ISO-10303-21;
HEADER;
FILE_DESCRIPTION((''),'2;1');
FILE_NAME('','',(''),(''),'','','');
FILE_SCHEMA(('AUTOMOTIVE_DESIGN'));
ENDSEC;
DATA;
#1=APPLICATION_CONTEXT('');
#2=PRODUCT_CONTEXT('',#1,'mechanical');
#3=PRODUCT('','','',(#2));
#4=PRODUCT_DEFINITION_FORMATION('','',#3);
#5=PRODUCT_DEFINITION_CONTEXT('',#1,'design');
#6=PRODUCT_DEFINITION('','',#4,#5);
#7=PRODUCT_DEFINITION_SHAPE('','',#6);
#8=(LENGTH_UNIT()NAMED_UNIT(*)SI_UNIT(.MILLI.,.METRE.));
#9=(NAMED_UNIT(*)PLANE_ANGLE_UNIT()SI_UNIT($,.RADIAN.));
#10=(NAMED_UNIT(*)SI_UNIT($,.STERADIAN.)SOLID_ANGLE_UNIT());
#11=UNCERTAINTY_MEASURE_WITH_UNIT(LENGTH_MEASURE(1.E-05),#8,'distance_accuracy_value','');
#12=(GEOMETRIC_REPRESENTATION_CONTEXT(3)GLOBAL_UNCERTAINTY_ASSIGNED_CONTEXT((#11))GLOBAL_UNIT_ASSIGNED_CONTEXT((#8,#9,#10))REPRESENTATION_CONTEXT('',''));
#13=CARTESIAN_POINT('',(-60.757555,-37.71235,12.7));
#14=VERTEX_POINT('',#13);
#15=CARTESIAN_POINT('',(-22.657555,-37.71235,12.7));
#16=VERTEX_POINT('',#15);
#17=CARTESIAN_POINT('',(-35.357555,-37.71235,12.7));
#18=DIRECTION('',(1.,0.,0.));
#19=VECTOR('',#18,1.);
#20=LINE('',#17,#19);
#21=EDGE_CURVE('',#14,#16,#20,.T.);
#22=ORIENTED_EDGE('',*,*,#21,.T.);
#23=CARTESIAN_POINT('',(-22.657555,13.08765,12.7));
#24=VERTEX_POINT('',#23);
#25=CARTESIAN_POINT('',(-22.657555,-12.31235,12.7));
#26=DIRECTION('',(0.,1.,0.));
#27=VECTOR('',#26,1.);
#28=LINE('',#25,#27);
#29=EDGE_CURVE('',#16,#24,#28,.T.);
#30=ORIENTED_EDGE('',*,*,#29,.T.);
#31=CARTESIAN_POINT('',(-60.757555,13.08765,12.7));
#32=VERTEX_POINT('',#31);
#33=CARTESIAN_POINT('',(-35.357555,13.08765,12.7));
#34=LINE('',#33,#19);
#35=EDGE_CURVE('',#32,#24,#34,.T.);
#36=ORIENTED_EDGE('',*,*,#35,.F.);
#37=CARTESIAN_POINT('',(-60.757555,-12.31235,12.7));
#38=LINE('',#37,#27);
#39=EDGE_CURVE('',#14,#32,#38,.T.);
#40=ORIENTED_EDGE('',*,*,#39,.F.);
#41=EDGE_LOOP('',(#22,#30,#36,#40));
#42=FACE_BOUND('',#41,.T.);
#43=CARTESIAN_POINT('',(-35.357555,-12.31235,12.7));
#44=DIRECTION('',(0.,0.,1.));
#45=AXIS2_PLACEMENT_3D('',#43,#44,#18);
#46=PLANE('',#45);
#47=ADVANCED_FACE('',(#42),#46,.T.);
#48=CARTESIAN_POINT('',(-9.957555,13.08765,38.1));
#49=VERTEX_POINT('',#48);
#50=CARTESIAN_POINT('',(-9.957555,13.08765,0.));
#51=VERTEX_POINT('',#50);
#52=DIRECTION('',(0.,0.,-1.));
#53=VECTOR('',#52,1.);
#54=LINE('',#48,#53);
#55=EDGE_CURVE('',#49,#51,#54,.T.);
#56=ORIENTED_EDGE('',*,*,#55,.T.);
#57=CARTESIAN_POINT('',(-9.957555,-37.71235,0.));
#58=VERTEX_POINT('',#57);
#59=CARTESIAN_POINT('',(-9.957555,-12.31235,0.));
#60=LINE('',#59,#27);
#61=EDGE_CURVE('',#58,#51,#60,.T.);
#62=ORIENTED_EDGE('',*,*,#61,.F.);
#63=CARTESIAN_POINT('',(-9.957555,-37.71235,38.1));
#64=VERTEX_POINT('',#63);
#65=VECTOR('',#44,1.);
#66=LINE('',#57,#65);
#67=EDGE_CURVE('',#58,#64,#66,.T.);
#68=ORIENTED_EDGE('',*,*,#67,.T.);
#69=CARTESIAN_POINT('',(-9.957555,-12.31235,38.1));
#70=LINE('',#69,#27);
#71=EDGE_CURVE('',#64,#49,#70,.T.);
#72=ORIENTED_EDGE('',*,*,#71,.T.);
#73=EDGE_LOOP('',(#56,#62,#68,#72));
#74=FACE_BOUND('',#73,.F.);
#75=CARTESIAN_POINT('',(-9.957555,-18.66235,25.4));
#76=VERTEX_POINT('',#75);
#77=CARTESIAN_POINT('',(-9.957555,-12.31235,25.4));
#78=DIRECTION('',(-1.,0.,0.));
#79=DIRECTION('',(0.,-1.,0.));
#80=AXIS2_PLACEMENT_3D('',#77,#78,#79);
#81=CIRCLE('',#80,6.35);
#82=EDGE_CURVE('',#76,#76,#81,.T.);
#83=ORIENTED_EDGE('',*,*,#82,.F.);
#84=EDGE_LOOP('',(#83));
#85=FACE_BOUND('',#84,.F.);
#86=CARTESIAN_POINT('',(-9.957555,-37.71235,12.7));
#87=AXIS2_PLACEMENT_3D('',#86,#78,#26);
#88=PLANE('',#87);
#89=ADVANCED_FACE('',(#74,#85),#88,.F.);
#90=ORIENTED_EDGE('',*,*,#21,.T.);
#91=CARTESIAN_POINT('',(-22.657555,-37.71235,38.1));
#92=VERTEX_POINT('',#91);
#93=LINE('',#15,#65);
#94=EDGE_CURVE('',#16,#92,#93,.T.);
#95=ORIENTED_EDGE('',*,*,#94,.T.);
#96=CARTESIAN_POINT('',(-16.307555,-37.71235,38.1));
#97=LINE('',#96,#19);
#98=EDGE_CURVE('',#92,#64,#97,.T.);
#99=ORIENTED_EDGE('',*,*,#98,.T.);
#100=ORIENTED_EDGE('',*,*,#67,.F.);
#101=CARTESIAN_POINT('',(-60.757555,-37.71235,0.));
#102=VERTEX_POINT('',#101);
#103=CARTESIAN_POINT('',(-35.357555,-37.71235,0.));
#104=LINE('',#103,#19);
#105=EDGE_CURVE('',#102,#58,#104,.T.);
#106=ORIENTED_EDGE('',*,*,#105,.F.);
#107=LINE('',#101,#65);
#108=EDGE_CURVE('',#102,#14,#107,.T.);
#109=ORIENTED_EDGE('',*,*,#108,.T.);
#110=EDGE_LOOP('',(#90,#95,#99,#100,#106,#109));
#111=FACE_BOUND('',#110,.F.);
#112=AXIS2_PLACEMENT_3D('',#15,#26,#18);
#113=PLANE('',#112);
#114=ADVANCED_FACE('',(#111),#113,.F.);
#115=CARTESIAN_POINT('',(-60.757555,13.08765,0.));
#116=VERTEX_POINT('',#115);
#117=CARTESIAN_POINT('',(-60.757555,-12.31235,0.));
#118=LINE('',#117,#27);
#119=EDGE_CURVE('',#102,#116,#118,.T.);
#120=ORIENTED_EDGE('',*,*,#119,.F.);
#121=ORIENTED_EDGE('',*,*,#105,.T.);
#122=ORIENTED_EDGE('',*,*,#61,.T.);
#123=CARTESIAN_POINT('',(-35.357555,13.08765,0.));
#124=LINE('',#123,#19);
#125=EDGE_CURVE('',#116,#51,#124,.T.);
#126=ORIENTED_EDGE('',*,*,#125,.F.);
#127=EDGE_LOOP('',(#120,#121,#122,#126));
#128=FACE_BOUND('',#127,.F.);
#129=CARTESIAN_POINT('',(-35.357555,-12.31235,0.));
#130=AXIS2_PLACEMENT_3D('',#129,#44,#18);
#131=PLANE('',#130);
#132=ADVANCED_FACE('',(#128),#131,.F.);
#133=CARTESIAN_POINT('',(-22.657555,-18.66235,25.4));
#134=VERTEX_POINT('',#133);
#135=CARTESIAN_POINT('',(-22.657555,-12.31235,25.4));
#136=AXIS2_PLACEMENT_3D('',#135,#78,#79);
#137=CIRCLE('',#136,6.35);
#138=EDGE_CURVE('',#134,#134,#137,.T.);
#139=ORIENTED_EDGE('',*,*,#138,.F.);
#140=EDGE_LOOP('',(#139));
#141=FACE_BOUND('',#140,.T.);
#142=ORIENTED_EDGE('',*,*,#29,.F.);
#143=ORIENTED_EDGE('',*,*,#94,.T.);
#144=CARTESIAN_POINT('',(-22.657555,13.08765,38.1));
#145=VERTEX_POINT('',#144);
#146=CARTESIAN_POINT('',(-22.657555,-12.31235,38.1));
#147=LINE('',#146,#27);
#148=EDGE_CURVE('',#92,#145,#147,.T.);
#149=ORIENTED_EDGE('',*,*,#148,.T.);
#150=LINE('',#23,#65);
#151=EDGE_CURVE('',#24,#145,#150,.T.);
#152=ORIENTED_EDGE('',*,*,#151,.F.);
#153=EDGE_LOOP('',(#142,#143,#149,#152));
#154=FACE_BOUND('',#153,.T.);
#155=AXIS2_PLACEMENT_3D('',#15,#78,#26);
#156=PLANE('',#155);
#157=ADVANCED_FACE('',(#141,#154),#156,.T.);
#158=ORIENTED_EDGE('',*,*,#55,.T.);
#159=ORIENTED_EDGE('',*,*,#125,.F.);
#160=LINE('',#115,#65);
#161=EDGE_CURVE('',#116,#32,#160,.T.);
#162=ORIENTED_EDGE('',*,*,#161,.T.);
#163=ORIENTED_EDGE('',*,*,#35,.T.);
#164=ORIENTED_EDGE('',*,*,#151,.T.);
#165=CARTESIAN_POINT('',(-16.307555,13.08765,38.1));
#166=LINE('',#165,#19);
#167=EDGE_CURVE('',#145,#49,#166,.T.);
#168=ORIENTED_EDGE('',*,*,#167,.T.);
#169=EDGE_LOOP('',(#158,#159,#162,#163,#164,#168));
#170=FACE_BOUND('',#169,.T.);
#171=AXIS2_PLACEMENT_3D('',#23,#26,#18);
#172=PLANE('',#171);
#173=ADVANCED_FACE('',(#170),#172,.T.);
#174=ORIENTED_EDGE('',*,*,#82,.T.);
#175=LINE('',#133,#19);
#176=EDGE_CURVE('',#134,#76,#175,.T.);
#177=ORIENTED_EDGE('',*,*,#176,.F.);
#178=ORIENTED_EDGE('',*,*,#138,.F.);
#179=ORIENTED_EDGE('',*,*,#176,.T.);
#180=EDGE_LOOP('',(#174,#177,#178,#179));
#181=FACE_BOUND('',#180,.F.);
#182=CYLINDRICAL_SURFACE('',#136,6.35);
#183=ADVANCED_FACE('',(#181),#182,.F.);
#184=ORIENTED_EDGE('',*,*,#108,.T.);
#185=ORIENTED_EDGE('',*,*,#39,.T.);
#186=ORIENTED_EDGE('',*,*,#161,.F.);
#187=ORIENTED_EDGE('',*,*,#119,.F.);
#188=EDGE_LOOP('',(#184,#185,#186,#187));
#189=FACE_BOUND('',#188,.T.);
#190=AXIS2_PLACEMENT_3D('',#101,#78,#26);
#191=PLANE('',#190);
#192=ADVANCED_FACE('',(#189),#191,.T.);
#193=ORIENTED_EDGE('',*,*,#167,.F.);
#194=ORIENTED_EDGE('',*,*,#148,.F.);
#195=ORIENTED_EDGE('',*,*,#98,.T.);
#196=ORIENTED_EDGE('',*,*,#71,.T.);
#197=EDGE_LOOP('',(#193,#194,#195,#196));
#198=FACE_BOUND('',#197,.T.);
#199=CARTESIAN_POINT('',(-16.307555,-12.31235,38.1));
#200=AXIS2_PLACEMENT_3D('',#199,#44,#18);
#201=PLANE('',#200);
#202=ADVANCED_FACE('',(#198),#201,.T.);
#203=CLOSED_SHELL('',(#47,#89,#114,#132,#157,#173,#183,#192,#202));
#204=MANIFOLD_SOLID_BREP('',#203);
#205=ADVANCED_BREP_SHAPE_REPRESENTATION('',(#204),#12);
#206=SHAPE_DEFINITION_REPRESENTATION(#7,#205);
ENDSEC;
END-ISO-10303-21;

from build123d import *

# Parameters (mm, degrees)
F0_W     = 50.8
F0_H     = 50.8
F1_DEPTH = 12.7
F2_W     = 12.7
F2_H     = 50.8
F3_DEPTH = 25.4
F4_R     = 6.35
F5_DEPTH = 12.701


with BuildPart() as f1:
    # F0 (on Top) → F1 (new body)
    with BuildSketch(Plane.XY):
        with Locations((-35.357555, -12.31235)):
            Rectangle(F0_W, F0_H)
    extrude(amount=F1_DEPTH)

    # F2 (on face) → F3 (join)
    with BuildSketch(Plane.XY.offset(12.7)):
        with Locations((-16.307555, -12.31235)):
            Rectangle(F2_W, F2_H)
    extrude(amount=F3_DEPTH)

    # F4 (on face) → F5 (cut, through all)
    with BuildSketch(Plane(origin=(-22.657555, 0, 0), x_dir=(0, -1, 0), z_dir=(-1, 0, 0))):
        with Locations((12.31235, 25.4)):
            Circle(F4_R)
    extrude(amount=-F5_DEPTH, mode=Mode.SUBTRACT)


solid = f1.part
